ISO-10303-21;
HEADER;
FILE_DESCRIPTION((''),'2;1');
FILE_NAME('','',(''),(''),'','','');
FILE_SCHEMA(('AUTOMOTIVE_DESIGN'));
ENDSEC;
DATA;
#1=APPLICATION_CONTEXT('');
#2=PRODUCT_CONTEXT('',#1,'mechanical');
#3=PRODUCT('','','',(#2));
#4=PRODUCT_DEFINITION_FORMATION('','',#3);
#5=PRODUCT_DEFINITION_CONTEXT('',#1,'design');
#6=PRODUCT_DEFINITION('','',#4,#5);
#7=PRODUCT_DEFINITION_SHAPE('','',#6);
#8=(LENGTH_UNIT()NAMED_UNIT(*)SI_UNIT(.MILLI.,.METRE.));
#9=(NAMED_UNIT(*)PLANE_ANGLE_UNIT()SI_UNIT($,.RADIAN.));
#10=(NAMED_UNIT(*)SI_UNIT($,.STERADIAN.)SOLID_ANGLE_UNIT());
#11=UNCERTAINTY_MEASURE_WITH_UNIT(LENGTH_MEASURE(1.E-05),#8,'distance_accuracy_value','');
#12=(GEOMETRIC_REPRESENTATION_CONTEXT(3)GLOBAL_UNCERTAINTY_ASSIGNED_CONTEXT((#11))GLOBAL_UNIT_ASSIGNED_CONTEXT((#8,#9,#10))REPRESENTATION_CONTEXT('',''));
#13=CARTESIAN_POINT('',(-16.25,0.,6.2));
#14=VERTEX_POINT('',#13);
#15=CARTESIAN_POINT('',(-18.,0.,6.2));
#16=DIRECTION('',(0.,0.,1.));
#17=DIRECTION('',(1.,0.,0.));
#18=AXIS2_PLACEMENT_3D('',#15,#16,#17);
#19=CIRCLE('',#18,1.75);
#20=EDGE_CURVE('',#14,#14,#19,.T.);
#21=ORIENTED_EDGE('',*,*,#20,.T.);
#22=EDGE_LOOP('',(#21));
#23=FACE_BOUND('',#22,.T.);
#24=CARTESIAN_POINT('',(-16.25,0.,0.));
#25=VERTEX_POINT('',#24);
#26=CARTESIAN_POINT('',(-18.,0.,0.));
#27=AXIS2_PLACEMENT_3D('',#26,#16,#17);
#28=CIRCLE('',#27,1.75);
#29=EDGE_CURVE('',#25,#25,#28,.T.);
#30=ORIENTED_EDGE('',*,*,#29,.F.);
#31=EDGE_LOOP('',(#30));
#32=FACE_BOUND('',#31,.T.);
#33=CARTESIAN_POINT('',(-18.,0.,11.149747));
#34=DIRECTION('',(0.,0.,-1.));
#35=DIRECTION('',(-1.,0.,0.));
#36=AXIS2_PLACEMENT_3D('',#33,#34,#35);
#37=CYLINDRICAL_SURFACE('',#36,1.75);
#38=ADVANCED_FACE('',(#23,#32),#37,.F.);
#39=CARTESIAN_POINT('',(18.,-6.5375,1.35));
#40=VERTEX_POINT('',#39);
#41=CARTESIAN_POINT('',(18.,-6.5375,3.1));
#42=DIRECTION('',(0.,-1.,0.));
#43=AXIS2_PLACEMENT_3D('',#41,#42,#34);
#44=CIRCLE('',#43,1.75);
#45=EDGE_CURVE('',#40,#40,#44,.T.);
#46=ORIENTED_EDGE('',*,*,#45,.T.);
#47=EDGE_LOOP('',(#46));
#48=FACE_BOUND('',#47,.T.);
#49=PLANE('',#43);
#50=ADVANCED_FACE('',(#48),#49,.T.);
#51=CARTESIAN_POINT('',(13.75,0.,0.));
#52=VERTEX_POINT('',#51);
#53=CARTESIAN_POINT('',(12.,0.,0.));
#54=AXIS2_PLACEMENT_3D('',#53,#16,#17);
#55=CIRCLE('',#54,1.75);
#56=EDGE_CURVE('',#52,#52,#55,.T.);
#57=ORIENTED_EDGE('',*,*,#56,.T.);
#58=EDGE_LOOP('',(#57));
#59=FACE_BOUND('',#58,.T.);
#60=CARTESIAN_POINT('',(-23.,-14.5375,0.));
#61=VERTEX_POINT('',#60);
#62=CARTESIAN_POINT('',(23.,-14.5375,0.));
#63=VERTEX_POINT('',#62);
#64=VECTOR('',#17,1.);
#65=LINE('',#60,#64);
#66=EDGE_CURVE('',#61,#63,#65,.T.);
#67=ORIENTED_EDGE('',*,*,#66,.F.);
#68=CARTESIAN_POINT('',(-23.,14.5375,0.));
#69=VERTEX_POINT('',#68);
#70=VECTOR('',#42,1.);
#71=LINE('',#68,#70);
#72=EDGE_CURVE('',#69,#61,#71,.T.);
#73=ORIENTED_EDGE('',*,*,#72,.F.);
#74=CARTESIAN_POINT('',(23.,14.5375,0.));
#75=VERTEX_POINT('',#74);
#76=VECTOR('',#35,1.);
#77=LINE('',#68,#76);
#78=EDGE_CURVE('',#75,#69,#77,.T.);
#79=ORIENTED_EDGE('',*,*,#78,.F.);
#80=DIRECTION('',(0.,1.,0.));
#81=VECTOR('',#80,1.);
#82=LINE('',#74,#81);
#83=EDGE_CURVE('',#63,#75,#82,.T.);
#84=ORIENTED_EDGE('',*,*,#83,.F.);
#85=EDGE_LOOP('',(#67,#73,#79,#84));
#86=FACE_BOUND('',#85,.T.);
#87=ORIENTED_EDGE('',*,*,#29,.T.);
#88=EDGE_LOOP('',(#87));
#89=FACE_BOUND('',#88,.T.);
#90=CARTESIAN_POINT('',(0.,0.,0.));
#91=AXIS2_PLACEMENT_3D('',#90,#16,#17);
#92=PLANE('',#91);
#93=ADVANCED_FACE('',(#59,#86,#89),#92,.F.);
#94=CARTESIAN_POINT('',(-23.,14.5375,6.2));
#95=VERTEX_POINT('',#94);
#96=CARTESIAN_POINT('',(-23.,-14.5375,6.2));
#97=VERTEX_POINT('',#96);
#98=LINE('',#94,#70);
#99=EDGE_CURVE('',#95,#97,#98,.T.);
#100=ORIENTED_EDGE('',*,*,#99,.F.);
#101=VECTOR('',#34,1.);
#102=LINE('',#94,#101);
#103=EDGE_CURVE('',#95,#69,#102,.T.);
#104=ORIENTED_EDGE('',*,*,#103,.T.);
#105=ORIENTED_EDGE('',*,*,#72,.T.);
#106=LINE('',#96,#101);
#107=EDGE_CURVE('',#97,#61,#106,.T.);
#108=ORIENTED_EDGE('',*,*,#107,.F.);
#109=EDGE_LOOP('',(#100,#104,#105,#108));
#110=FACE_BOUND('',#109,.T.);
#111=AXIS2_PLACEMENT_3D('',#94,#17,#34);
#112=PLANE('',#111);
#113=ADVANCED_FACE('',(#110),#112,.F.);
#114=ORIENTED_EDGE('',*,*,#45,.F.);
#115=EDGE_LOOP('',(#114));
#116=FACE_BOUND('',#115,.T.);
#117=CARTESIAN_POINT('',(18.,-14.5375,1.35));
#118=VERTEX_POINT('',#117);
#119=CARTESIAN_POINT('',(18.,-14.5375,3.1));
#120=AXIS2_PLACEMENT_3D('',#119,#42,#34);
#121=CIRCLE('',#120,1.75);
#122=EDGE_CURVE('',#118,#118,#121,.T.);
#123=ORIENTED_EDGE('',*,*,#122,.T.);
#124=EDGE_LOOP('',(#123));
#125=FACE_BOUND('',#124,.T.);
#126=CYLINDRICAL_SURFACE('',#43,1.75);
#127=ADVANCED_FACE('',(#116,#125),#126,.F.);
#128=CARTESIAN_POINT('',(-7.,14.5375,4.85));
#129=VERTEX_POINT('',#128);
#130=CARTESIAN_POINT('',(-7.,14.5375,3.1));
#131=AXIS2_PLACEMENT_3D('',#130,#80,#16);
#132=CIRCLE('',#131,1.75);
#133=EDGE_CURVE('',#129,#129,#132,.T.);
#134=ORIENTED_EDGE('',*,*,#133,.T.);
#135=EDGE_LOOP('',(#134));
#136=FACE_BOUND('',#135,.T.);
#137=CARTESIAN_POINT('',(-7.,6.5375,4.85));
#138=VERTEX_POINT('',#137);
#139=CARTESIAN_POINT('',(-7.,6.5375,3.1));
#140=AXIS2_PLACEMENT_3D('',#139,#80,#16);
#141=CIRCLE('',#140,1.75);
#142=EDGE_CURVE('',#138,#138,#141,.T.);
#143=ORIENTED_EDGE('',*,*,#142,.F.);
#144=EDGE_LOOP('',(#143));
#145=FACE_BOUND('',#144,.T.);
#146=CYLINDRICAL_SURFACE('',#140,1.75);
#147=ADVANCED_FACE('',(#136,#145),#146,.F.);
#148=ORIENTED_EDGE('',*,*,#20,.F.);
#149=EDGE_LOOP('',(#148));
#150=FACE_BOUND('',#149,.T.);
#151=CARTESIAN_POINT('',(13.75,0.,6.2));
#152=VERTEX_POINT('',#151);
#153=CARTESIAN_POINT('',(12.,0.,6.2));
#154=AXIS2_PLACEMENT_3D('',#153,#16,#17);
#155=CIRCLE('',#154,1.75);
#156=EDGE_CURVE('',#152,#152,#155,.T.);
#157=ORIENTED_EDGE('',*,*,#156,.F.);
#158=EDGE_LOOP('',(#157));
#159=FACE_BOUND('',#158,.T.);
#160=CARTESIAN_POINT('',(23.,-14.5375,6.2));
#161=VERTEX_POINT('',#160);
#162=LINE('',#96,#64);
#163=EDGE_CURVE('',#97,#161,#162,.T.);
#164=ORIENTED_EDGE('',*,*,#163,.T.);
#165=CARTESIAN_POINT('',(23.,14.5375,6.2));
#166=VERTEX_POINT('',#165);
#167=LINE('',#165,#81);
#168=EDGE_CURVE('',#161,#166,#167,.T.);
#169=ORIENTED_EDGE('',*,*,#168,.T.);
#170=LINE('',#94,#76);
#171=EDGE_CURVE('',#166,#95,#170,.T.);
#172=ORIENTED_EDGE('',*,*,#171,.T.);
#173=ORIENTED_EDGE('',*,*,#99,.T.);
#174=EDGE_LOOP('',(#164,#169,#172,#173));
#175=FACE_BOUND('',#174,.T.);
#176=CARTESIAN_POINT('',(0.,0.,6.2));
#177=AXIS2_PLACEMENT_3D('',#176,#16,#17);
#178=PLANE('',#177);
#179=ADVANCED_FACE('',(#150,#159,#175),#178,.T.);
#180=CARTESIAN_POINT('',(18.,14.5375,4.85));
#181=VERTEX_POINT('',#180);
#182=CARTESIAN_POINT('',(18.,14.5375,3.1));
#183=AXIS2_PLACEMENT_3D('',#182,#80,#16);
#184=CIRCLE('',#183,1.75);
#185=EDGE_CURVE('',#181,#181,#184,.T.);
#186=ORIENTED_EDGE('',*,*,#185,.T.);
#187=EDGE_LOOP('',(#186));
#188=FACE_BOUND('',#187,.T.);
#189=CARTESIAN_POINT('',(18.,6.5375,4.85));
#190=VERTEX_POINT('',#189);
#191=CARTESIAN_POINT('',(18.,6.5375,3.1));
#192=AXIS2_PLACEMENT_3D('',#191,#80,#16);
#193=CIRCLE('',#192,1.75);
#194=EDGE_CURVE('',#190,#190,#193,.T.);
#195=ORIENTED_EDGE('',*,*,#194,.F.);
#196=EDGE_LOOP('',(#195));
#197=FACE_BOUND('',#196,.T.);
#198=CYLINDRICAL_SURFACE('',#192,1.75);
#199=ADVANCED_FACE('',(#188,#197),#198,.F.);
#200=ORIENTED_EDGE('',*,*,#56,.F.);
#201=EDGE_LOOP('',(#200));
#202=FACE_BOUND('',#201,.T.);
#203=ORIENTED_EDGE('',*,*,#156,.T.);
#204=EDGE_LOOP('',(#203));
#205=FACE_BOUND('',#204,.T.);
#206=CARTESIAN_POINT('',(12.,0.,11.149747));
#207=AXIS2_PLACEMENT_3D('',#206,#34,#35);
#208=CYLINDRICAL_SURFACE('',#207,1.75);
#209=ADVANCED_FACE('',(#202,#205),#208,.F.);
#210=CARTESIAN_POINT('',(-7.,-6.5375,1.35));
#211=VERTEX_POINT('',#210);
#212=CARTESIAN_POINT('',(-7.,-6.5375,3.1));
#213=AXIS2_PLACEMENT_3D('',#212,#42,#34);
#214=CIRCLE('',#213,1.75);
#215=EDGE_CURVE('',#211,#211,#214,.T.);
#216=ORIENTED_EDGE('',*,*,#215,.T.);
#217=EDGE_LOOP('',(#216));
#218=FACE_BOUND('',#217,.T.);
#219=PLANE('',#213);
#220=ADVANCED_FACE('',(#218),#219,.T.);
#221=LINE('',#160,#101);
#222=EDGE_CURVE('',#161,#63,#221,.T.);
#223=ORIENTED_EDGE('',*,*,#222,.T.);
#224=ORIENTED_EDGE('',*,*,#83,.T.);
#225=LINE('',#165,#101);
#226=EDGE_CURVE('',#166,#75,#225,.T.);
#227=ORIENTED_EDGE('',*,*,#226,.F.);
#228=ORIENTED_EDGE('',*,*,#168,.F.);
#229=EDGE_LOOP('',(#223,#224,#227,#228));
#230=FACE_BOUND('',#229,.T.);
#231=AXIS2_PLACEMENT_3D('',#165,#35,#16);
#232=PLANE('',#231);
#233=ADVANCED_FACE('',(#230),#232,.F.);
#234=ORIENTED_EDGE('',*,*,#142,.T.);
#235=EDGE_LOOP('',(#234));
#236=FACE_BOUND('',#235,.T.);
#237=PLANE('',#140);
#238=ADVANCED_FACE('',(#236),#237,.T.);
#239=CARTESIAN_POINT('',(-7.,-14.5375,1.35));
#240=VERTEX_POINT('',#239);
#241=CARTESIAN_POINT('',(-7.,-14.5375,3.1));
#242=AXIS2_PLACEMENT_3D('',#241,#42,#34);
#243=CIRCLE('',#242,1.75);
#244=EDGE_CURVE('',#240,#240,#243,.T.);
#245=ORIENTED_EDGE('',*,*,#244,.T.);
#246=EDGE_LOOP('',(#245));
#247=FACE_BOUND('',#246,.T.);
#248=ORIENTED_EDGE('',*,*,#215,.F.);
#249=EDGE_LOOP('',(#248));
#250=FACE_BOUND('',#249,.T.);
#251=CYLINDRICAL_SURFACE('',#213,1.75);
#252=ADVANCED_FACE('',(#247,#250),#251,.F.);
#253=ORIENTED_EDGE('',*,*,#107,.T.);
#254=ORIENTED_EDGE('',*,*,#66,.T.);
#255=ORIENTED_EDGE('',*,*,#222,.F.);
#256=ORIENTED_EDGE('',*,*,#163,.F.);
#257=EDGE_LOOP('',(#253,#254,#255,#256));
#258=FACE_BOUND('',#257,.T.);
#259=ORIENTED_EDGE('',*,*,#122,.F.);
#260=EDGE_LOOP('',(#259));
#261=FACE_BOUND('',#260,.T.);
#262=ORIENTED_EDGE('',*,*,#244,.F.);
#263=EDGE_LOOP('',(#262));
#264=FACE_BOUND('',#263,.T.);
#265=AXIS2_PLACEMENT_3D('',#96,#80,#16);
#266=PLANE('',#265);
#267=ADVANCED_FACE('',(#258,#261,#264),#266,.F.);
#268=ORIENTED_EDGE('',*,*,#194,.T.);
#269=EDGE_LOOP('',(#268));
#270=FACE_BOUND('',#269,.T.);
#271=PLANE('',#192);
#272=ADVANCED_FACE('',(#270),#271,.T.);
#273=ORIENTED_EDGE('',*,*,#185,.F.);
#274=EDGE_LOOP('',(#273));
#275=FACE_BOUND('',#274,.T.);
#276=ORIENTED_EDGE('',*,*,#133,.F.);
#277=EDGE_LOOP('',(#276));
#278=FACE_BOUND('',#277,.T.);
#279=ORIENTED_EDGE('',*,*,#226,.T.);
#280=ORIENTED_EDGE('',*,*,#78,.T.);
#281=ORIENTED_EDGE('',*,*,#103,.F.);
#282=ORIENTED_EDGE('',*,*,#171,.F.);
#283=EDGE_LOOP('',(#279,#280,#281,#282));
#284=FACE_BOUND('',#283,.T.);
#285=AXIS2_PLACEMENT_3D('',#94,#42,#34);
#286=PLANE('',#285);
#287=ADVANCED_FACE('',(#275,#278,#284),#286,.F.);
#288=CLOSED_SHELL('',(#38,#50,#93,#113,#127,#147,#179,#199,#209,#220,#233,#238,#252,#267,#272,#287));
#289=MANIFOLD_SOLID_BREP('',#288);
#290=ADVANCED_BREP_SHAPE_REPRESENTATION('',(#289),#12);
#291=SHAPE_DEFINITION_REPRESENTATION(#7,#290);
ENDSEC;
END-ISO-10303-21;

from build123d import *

# Parameters (mm, degrees)
SKETCH1_W         = 46
SKETCH1_H         = 29.075
EXTRUDE_1_4_DEPTH = 6.2
SKETCH2_R         = 1.75
M4_DRILL_DEPTH    = 6.2
SKETCH3_R         = 1.75
M4_DRILL2_DEPTH   = 8
M4_DRILL3_START   = -8
SKETCH4_R         = 1.75
M4_DRILL3_DEPTH   = 8


with BuildPart() as part:
    # Sketch1 → 1/4 (new body)
    with BuildSketch(Plane.XY):
        Rectangle(SKETCH1_W, SKETCH1_H)
    extrude(amount=EXTRUDE_1_4_DEPTH)

    # Sketch2 → M4_DRILL (cut)
    with BuildSketch(Plane.XY):
        with Locations((-18, 0)):
            Circle(SKETCH2_R)
        with Locations((12, 0)):
            Circle(SKETCH2_R)
    extrude(amount=M4_DRILL_DEPTH, mode=Mode.SUBTRACT)

    # Sketch3 → M4_DRILL2 (cut)
    with BuildSketch(Plane.XZ.offset(14.5375)):
        with Locations(Location((-7, 3.1, 0), (0, 0, 270))):
            Circle(SKETCH3_R)
        with Locations(Location((18, 3.1, 0), (0, 0, 270))):
            Circle(SKETCH3_R)
    extrude(amount=-M4_DRILL2_DEPTH, mode=Mode.SUBTRACT)

    # Sketch4 → M4_DRILL3 (cut)
    with BuildSketch(Plane(origin=(0, 14.5375, 0), x_dir=(1, 0, 0), z_dir=(0, 1, 0)).offset(M4_DRILL3_START)):
        with Locations(Location((18, -3.1, 0), (0, 0, 90))):
            Circle(SKETCH4_R)
        with Locations(Location((-7, -3.1, 0), (0, 0, 90))):
            Circle(SKETCH4_R)
    extrude(amount=M4_DRILL3_DEPTH, mode=Mode.SUBTRACT)


solid = part.part
